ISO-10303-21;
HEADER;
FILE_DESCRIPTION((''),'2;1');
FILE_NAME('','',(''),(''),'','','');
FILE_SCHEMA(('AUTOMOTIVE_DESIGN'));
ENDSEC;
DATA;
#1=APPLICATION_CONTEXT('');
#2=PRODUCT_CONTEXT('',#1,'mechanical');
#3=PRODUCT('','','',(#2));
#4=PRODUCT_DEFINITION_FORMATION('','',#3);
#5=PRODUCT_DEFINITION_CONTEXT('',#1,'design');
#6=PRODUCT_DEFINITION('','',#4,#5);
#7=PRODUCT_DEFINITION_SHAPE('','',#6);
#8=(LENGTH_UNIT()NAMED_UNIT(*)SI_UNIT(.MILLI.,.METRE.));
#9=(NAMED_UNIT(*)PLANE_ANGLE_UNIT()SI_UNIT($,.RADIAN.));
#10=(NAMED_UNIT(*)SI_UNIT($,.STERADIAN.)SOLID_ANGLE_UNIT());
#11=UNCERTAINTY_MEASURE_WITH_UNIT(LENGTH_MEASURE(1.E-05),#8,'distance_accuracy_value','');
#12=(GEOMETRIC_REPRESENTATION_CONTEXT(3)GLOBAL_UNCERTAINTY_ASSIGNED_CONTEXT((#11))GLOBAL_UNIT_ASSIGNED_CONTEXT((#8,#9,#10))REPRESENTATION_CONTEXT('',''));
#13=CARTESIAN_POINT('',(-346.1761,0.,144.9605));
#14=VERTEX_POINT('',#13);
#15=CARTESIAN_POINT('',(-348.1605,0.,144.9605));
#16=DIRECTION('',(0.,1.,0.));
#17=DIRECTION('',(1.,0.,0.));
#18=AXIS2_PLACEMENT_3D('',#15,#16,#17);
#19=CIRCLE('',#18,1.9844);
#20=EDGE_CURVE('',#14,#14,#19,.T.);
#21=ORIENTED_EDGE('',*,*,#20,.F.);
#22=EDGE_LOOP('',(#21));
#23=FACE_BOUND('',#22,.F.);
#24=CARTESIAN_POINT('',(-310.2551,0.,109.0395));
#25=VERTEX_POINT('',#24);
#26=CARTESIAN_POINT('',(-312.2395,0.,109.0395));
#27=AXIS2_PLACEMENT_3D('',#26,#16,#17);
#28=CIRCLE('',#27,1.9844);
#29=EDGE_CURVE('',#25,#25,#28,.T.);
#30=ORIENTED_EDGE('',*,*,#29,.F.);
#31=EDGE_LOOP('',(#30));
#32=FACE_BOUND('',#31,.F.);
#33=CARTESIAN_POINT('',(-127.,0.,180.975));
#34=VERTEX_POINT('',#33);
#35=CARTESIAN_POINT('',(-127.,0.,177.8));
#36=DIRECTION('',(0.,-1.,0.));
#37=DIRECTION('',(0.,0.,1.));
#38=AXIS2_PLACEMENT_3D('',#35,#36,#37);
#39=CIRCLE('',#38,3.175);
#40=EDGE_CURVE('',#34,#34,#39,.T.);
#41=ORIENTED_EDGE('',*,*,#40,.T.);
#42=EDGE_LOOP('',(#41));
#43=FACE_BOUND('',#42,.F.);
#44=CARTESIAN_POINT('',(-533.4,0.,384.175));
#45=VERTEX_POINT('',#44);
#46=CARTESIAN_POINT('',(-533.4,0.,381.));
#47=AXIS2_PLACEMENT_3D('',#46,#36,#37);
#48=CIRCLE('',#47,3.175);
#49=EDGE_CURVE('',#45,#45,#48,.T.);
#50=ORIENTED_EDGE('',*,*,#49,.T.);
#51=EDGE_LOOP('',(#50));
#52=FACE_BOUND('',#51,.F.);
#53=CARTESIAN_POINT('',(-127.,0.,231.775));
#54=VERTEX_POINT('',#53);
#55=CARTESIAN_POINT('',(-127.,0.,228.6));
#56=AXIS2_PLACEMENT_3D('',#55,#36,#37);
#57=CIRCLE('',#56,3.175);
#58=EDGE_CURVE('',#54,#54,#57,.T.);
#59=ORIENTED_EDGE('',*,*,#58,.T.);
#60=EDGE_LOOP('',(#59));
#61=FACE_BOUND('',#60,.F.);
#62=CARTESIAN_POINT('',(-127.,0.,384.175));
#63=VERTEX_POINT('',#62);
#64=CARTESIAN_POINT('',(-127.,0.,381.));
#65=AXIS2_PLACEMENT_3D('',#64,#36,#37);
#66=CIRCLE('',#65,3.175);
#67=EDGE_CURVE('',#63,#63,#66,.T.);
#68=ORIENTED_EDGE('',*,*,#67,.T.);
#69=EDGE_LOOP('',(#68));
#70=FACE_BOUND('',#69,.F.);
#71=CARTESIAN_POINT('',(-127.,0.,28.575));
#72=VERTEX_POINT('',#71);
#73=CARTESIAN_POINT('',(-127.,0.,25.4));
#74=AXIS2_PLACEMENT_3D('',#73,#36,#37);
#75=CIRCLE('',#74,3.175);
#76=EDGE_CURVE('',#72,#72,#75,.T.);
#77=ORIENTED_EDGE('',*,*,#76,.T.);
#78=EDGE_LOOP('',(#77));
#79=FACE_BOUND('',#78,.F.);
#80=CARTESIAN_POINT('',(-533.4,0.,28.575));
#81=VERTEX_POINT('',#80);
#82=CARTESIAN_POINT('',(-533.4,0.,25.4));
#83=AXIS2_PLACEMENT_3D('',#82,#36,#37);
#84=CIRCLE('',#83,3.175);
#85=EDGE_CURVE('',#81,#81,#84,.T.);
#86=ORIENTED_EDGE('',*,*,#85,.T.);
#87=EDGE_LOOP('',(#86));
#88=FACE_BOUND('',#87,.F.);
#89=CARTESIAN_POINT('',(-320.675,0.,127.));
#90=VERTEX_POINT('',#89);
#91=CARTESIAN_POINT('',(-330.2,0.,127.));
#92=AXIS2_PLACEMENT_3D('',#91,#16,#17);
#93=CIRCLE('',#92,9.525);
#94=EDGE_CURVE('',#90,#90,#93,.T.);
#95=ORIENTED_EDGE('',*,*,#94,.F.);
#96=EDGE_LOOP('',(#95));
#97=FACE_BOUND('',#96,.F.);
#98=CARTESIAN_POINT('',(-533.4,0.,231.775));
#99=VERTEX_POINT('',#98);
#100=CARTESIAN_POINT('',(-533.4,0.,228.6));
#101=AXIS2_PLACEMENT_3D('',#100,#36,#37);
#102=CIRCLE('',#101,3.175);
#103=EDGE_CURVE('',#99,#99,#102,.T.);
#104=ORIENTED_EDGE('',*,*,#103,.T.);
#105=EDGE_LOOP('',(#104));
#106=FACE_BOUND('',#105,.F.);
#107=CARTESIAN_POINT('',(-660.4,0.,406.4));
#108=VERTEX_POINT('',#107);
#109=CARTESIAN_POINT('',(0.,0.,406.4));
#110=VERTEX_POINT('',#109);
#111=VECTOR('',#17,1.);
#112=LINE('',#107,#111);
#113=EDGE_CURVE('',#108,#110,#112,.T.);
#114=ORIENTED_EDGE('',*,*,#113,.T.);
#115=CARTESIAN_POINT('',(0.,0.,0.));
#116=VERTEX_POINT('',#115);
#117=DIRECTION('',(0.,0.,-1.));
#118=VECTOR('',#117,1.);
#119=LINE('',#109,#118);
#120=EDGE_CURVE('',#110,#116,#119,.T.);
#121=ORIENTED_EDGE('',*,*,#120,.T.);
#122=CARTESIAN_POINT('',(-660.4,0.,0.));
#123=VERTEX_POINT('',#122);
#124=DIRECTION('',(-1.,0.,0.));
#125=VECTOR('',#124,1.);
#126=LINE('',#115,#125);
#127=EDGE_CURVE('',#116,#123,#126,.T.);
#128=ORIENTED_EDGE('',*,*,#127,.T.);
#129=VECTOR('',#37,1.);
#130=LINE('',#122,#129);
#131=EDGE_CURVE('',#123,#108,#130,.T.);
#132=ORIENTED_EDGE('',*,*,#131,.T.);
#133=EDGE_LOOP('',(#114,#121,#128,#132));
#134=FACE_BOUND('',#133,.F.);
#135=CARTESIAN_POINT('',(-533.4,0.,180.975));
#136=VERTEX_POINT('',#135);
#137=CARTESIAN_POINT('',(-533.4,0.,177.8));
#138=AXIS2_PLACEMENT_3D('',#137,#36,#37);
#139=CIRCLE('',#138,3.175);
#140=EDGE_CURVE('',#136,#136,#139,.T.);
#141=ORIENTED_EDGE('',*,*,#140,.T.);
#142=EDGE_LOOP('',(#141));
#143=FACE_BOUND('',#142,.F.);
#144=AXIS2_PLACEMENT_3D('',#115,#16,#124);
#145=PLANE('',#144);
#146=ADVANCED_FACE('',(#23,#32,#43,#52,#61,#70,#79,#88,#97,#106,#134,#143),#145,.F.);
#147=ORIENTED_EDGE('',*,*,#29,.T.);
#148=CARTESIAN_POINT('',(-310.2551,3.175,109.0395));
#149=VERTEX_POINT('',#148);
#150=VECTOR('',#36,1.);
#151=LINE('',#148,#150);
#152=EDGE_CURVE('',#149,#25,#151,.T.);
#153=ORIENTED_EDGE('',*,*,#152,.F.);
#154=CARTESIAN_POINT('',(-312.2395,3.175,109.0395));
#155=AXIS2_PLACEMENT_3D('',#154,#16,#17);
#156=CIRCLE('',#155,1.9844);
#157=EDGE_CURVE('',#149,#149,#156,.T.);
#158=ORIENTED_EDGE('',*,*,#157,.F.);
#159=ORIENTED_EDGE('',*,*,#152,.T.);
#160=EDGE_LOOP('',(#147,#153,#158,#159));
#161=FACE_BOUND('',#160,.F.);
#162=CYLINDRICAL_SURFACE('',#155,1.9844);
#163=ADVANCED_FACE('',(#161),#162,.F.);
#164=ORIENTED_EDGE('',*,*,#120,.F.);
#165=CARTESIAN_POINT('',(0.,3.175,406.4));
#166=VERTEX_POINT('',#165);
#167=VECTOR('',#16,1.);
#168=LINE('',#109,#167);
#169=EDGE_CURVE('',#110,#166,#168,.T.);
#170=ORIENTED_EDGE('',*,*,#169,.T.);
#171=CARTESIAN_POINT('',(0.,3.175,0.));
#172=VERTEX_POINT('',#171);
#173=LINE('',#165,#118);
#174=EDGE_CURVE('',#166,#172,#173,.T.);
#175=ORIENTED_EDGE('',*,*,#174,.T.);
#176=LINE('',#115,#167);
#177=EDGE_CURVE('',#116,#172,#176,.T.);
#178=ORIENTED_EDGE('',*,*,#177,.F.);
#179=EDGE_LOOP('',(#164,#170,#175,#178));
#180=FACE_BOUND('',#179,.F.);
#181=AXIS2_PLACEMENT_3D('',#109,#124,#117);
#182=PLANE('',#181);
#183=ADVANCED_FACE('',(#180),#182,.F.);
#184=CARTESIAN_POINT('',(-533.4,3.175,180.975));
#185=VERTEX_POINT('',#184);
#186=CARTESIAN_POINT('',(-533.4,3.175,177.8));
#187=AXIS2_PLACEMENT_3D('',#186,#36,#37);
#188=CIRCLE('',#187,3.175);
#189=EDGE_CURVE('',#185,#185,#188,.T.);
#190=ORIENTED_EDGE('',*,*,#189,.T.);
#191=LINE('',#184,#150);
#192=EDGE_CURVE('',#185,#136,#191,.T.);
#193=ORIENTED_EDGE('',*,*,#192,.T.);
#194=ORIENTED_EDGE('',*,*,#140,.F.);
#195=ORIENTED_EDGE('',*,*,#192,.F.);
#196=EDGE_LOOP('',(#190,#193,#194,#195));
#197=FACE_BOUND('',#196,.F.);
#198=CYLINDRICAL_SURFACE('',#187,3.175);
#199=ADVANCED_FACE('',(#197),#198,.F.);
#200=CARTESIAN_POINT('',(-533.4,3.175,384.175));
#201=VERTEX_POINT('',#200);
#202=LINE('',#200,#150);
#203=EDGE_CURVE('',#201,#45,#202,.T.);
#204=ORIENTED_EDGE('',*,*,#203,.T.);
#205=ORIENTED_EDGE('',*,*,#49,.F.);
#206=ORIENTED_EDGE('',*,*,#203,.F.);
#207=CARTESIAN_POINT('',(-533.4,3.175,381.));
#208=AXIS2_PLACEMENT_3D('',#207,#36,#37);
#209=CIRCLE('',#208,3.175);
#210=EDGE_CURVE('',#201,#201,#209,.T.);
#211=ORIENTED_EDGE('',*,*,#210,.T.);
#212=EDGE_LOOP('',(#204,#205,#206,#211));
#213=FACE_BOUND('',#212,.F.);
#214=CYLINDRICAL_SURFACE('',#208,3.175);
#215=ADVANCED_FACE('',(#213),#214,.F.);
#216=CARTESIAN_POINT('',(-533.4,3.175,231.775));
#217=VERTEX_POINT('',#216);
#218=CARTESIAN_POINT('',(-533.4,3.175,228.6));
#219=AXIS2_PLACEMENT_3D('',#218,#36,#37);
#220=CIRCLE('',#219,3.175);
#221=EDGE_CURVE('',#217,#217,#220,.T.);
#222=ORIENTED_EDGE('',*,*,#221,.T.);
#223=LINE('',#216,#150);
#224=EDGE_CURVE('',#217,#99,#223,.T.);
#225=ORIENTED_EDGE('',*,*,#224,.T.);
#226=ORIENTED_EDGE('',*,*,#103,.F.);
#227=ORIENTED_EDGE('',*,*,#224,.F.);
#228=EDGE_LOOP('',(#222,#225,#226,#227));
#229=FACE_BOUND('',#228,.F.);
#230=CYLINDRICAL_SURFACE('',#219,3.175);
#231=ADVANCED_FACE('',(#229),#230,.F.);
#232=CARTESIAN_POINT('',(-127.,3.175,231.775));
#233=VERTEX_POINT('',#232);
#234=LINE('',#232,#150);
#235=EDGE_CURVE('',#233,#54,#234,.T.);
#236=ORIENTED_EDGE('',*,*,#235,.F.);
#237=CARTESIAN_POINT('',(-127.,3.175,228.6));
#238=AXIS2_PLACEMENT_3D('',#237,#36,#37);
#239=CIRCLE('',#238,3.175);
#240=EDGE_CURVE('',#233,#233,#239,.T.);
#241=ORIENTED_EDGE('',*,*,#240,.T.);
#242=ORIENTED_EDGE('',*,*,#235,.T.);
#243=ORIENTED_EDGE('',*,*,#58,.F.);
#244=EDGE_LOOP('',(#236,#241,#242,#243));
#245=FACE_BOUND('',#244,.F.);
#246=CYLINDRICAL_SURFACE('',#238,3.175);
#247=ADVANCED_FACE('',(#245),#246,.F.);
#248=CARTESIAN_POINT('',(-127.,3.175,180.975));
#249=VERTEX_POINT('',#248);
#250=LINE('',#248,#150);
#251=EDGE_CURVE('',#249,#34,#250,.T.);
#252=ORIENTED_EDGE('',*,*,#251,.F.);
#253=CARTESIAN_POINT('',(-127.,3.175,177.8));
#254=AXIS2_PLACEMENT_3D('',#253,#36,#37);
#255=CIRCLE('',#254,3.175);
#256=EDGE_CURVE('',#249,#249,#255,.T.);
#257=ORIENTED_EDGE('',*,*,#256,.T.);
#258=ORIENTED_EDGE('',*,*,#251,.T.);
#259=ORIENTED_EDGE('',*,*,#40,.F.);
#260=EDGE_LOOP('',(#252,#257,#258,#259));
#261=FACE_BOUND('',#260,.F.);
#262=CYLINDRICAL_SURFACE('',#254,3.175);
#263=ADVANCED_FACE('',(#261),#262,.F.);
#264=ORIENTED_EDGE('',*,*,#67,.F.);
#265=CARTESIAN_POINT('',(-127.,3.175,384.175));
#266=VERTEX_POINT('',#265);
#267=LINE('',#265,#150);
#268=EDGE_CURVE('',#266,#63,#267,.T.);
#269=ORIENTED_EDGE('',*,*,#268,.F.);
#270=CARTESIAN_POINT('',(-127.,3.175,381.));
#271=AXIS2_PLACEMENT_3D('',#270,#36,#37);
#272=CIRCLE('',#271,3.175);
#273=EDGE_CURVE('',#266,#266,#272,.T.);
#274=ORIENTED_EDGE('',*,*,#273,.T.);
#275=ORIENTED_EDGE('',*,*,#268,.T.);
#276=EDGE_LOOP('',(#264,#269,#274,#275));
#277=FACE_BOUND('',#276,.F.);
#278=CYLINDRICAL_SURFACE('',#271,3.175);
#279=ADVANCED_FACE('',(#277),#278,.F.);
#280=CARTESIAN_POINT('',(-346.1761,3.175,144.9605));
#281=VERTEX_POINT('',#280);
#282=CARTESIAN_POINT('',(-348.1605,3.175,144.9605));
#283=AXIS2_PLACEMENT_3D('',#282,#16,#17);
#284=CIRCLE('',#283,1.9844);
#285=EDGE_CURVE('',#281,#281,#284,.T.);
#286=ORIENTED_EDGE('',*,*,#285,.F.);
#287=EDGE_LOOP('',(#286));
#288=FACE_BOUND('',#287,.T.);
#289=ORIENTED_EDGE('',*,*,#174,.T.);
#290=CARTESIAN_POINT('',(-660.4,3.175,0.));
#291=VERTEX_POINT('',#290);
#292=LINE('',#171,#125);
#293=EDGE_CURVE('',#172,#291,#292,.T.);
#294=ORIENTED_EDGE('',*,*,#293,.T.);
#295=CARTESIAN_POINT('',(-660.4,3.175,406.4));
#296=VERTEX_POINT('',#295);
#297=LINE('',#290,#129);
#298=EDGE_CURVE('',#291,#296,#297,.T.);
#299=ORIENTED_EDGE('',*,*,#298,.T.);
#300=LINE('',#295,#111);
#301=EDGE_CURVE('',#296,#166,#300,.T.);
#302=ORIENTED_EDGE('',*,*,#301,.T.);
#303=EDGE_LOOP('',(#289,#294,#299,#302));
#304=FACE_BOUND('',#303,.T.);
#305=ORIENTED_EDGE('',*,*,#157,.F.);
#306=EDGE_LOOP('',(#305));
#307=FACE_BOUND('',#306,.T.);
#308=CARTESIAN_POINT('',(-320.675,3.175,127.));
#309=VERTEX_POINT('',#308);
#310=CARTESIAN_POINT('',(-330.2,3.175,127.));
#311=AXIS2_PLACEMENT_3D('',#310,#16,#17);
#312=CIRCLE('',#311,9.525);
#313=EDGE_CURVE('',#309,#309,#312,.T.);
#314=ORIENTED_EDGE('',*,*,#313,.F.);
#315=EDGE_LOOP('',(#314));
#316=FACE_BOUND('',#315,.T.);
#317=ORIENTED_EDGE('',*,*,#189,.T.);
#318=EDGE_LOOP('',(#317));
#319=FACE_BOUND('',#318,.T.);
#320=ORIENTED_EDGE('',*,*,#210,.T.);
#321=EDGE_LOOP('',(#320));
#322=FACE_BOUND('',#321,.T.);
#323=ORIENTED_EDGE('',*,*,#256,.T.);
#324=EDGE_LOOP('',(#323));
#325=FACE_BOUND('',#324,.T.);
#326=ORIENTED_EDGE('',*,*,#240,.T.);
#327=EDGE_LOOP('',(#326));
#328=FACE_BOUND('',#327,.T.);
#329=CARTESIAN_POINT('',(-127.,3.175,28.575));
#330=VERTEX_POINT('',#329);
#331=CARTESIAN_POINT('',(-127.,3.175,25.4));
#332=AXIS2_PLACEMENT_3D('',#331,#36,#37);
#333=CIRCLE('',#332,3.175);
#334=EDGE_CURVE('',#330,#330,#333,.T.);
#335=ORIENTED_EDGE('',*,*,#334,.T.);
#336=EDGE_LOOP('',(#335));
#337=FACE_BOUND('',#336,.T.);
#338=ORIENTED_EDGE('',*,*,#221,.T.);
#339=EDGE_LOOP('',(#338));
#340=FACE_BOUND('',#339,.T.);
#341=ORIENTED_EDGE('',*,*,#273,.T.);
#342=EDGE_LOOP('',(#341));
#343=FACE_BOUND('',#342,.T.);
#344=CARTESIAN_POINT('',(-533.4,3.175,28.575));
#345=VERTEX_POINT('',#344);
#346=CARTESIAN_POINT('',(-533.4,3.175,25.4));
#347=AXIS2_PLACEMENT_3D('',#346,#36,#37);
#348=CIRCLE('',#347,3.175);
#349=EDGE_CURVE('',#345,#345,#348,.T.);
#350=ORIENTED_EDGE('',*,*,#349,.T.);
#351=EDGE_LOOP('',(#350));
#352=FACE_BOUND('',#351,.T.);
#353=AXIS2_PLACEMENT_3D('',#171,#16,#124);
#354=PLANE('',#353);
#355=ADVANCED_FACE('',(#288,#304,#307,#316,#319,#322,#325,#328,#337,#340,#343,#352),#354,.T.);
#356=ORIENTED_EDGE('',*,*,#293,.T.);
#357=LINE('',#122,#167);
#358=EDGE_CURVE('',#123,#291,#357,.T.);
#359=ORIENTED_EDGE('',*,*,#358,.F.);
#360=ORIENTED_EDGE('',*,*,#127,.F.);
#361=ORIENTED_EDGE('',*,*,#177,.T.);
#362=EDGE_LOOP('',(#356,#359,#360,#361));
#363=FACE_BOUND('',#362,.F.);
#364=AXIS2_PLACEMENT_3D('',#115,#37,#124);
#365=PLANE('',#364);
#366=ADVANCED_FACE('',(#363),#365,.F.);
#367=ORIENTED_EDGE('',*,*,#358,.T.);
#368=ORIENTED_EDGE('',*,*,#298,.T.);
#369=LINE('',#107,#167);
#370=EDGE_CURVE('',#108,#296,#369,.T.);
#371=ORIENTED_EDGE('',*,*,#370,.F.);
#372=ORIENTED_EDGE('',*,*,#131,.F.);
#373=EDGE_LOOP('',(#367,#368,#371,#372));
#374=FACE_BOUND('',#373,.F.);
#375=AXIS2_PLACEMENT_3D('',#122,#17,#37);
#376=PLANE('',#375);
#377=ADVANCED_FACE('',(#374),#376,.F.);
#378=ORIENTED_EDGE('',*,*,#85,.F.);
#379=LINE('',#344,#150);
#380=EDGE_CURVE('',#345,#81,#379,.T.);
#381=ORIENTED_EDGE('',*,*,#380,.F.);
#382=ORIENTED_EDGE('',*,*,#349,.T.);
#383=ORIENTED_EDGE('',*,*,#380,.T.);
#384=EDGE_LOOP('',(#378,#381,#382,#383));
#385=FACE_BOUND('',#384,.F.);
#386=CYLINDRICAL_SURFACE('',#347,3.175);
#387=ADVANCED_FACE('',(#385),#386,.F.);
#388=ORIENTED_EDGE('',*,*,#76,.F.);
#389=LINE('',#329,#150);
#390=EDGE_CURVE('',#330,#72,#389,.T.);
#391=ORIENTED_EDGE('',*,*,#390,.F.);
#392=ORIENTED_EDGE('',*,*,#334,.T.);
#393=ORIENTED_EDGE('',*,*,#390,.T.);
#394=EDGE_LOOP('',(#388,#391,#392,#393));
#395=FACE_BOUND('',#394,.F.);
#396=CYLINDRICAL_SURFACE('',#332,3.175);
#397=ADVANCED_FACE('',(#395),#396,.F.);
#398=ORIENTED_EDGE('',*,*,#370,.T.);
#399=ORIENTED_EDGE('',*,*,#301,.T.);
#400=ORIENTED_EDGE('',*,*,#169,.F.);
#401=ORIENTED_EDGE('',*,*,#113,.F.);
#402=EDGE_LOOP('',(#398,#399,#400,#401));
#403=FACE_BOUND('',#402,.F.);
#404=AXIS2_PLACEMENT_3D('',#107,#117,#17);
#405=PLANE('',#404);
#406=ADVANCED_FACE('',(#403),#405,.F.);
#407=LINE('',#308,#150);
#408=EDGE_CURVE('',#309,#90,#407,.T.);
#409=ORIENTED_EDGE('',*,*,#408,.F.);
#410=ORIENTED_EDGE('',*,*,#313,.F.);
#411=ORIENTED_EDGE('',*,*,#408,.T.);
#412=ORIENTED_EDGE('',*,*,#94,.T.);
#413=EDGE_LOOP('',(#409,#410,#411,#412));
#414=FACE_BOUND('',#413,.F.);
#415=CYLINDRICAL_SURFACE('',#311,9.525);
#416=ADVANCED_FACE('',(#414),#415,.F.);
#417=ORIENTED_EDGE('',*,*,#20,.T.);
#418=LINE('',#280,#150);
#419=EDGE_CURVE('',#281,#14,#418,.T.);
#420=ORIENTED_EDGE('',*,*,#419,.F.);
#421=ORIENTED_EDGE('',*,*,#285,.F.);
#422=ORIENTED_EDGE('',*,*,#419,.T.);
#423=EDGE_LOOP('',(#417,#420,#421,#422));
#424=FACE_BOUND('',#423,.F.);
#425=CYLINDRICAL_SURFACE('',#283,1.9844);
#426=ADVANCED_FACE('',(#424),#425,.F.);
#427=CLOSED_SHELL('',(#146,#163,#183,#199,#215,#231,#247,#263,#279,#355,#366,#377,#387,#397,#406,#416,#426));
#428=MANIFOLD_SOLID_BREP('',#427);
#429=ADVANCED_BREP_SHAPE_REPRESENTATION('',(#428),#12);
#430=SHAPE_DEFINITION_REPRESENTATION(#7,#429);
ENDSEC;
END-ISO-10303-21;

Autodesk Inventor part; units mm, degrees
ref_plane "YZ Plane" through (0, 0, 0) normal (1, 0, 0) x (0, 1, 0)
ref_plane "XZ Plane" through (0, 0, 0) normal (0, 1, 0) x (-1, 0, 0)
ref_plane "XY Plane" through (0, 0, 0) normal (0, 0, 1) x (1, 0, 0)
sketch "Sketch1" plane through (0, 0, 0) normal (0, 1, 0) x (-1, 0, 0)
  line L0 (0, 0) -> (660.4, 0)
  line L1 (660.4, 0) -> (660.4, 406.4)
  line L2 (660.4, 406.4) -> (0, 406.4)
  line L3 (0, 406.4) -> (0, 0)
  dimension "d0" = 660.4
  dimension "d1" = 406.4
extrude "Extrusion1" add sketch "Sketch1" along normal blind 3.175
sketch "Sketch2" plane through (0, 3.175, 0) normal (0, 1, 0) x (1, 0, 0)
  line L0 (0, 0) -> (-660.4, 0) projected
  line L1 (-660.4, 0) -> (-660.4, -406.4) projected
  line L2 (-660.4, -406.4) -> (0, -406.4) projected
  line L3 (0, -406.4) -> (0, 0) projected
  point P0 (-127, -381)
  point P1 (-533.4, -381)
  point P2 (-533.4, -25.4)
  point P3 (-127, -25.4)
  dimension "d4" = 127
  dimension "d5" = 127
  dimension "d6" = 127
  dimension "d7" = 127
  dimension "d8" = 25.4
  dimension "d9" = 25.4
  dimension "d10" = 25.4
  dimension "d11" = 25.4
hole "Hole1" at (-127, 3.175, 381) at (-533.4, 3.175, 381) at (-533.4, 3.175, 25.4) at (-127, 3.175, 25.4) direction (0, -1, 0) diameter 6.35 end through all
sketch "Sketch3" plane through (0, 3.175, 0) normal (0, 1, 0) x (1, 0, 0)
  circle A0 centre (-533.4, -25.4) radius 3.175 projected
  circle A1 centre (-127, -381) radius 3.175 projected
  circle A2 centre (-533.4, -381) radius 3.175 projected
  circle A3 centre (-127, -25.4) radius 3.175 projected
  line L0 (0, 0) -> (-660.4, 0) projected
  line L1 (-660.4, 0) -> (-660.4, -406.4) projected
  line L2 (-660.4, -406.4) -> (0, -406.4) projected
  line L3 (0, -406.4) -> (0, 0) projected
  point P0 (-127, -228.6)
  point P1 (-127, -177.8)
  point P2 (-533.4, -177.8)
  point P3 (-533.4, -228.6)
  dimension "d19" = 177.8
  dimension "d20" = 177.8
  dimension "d21" = 177.8
  dimension "d22" = 177.8
  dimension "d23" = 127
  dimension "d24" = 127
  dimension "d25" = 127
  dimension "d26" = 127
hole "Hole2" at (-127, 3.175, 228.6) at (-127, 3.175, 177.8) at (-533.4, 3.175, 177.8) at (-533.4, 3.175, 228.6) direction (0, -1, 0) diameter 6.35 end through all
sketch "Sketch4" plane through (0, 3.175, 0) normal (0, 1, 0) x (1, 0, 0)
  circle A0 centre (-533.4, -177.8) radius 3.175 projected
  circle A1 centre (-127, -228.6) radius 3.175 projected
  circle A2 centre (-127, -177.8) radius 3.175 projected
  circle A3 centre (-533.4, -228.6) radius 3.175 projected
  circle A4 centre (-533.4, -25.4) radius 3.175 projected
  circle A5 centre (-127, -381) radius 3.175 projected
  circle A6 centre (-533.4, -381) radius 3.175 projected
  circle A7 centre (-127, -25.4) radius 3.175 projected
  line L0 (0, 0) -> (-660.4, 0) projected
  line L1 (-660.4, 0) -> (-660.4, -406.4) projected
  line L2 (-660.4, -406.4) -> (0, -406.4) projected
  line L3 (0, -406.4) -> (0, 0) projected
  circle A8 centre (-330.2, -127) radius 9.525
  line L4 (-330.2, -127) -> (-348.1605, -144.9605) construction
  line L5 (-330.2, -127) -> (-304.8, -127) construction
  line L6 (-330.2, -127) -> (-312.2395, -109.0395) construction
  line L7 (-330.2, -127) -> (-304.8, -127) construction
  circle A9 centre (-348.1605, -144.9605) radius 1.9844
  circle A10 centre (-312.2395, -109.0395) radius 1.9844
  dimension "d34" = 19.05
  dimension "d35" = 127
  dimension "d36" = 330.2
  dimension "d37" = 25.4
  dimension "d38" = 135
  dimension "d39" = 25.4
  dimension "d40" = 45
  dimension "d41" = 3.9688
  dimension "d42" = 3.9688
extrude "Extrusion2" cut sketch "Sketch4" against normal blind 3.175 contours A8 | A9 | A10
properties part number "lift plate"
